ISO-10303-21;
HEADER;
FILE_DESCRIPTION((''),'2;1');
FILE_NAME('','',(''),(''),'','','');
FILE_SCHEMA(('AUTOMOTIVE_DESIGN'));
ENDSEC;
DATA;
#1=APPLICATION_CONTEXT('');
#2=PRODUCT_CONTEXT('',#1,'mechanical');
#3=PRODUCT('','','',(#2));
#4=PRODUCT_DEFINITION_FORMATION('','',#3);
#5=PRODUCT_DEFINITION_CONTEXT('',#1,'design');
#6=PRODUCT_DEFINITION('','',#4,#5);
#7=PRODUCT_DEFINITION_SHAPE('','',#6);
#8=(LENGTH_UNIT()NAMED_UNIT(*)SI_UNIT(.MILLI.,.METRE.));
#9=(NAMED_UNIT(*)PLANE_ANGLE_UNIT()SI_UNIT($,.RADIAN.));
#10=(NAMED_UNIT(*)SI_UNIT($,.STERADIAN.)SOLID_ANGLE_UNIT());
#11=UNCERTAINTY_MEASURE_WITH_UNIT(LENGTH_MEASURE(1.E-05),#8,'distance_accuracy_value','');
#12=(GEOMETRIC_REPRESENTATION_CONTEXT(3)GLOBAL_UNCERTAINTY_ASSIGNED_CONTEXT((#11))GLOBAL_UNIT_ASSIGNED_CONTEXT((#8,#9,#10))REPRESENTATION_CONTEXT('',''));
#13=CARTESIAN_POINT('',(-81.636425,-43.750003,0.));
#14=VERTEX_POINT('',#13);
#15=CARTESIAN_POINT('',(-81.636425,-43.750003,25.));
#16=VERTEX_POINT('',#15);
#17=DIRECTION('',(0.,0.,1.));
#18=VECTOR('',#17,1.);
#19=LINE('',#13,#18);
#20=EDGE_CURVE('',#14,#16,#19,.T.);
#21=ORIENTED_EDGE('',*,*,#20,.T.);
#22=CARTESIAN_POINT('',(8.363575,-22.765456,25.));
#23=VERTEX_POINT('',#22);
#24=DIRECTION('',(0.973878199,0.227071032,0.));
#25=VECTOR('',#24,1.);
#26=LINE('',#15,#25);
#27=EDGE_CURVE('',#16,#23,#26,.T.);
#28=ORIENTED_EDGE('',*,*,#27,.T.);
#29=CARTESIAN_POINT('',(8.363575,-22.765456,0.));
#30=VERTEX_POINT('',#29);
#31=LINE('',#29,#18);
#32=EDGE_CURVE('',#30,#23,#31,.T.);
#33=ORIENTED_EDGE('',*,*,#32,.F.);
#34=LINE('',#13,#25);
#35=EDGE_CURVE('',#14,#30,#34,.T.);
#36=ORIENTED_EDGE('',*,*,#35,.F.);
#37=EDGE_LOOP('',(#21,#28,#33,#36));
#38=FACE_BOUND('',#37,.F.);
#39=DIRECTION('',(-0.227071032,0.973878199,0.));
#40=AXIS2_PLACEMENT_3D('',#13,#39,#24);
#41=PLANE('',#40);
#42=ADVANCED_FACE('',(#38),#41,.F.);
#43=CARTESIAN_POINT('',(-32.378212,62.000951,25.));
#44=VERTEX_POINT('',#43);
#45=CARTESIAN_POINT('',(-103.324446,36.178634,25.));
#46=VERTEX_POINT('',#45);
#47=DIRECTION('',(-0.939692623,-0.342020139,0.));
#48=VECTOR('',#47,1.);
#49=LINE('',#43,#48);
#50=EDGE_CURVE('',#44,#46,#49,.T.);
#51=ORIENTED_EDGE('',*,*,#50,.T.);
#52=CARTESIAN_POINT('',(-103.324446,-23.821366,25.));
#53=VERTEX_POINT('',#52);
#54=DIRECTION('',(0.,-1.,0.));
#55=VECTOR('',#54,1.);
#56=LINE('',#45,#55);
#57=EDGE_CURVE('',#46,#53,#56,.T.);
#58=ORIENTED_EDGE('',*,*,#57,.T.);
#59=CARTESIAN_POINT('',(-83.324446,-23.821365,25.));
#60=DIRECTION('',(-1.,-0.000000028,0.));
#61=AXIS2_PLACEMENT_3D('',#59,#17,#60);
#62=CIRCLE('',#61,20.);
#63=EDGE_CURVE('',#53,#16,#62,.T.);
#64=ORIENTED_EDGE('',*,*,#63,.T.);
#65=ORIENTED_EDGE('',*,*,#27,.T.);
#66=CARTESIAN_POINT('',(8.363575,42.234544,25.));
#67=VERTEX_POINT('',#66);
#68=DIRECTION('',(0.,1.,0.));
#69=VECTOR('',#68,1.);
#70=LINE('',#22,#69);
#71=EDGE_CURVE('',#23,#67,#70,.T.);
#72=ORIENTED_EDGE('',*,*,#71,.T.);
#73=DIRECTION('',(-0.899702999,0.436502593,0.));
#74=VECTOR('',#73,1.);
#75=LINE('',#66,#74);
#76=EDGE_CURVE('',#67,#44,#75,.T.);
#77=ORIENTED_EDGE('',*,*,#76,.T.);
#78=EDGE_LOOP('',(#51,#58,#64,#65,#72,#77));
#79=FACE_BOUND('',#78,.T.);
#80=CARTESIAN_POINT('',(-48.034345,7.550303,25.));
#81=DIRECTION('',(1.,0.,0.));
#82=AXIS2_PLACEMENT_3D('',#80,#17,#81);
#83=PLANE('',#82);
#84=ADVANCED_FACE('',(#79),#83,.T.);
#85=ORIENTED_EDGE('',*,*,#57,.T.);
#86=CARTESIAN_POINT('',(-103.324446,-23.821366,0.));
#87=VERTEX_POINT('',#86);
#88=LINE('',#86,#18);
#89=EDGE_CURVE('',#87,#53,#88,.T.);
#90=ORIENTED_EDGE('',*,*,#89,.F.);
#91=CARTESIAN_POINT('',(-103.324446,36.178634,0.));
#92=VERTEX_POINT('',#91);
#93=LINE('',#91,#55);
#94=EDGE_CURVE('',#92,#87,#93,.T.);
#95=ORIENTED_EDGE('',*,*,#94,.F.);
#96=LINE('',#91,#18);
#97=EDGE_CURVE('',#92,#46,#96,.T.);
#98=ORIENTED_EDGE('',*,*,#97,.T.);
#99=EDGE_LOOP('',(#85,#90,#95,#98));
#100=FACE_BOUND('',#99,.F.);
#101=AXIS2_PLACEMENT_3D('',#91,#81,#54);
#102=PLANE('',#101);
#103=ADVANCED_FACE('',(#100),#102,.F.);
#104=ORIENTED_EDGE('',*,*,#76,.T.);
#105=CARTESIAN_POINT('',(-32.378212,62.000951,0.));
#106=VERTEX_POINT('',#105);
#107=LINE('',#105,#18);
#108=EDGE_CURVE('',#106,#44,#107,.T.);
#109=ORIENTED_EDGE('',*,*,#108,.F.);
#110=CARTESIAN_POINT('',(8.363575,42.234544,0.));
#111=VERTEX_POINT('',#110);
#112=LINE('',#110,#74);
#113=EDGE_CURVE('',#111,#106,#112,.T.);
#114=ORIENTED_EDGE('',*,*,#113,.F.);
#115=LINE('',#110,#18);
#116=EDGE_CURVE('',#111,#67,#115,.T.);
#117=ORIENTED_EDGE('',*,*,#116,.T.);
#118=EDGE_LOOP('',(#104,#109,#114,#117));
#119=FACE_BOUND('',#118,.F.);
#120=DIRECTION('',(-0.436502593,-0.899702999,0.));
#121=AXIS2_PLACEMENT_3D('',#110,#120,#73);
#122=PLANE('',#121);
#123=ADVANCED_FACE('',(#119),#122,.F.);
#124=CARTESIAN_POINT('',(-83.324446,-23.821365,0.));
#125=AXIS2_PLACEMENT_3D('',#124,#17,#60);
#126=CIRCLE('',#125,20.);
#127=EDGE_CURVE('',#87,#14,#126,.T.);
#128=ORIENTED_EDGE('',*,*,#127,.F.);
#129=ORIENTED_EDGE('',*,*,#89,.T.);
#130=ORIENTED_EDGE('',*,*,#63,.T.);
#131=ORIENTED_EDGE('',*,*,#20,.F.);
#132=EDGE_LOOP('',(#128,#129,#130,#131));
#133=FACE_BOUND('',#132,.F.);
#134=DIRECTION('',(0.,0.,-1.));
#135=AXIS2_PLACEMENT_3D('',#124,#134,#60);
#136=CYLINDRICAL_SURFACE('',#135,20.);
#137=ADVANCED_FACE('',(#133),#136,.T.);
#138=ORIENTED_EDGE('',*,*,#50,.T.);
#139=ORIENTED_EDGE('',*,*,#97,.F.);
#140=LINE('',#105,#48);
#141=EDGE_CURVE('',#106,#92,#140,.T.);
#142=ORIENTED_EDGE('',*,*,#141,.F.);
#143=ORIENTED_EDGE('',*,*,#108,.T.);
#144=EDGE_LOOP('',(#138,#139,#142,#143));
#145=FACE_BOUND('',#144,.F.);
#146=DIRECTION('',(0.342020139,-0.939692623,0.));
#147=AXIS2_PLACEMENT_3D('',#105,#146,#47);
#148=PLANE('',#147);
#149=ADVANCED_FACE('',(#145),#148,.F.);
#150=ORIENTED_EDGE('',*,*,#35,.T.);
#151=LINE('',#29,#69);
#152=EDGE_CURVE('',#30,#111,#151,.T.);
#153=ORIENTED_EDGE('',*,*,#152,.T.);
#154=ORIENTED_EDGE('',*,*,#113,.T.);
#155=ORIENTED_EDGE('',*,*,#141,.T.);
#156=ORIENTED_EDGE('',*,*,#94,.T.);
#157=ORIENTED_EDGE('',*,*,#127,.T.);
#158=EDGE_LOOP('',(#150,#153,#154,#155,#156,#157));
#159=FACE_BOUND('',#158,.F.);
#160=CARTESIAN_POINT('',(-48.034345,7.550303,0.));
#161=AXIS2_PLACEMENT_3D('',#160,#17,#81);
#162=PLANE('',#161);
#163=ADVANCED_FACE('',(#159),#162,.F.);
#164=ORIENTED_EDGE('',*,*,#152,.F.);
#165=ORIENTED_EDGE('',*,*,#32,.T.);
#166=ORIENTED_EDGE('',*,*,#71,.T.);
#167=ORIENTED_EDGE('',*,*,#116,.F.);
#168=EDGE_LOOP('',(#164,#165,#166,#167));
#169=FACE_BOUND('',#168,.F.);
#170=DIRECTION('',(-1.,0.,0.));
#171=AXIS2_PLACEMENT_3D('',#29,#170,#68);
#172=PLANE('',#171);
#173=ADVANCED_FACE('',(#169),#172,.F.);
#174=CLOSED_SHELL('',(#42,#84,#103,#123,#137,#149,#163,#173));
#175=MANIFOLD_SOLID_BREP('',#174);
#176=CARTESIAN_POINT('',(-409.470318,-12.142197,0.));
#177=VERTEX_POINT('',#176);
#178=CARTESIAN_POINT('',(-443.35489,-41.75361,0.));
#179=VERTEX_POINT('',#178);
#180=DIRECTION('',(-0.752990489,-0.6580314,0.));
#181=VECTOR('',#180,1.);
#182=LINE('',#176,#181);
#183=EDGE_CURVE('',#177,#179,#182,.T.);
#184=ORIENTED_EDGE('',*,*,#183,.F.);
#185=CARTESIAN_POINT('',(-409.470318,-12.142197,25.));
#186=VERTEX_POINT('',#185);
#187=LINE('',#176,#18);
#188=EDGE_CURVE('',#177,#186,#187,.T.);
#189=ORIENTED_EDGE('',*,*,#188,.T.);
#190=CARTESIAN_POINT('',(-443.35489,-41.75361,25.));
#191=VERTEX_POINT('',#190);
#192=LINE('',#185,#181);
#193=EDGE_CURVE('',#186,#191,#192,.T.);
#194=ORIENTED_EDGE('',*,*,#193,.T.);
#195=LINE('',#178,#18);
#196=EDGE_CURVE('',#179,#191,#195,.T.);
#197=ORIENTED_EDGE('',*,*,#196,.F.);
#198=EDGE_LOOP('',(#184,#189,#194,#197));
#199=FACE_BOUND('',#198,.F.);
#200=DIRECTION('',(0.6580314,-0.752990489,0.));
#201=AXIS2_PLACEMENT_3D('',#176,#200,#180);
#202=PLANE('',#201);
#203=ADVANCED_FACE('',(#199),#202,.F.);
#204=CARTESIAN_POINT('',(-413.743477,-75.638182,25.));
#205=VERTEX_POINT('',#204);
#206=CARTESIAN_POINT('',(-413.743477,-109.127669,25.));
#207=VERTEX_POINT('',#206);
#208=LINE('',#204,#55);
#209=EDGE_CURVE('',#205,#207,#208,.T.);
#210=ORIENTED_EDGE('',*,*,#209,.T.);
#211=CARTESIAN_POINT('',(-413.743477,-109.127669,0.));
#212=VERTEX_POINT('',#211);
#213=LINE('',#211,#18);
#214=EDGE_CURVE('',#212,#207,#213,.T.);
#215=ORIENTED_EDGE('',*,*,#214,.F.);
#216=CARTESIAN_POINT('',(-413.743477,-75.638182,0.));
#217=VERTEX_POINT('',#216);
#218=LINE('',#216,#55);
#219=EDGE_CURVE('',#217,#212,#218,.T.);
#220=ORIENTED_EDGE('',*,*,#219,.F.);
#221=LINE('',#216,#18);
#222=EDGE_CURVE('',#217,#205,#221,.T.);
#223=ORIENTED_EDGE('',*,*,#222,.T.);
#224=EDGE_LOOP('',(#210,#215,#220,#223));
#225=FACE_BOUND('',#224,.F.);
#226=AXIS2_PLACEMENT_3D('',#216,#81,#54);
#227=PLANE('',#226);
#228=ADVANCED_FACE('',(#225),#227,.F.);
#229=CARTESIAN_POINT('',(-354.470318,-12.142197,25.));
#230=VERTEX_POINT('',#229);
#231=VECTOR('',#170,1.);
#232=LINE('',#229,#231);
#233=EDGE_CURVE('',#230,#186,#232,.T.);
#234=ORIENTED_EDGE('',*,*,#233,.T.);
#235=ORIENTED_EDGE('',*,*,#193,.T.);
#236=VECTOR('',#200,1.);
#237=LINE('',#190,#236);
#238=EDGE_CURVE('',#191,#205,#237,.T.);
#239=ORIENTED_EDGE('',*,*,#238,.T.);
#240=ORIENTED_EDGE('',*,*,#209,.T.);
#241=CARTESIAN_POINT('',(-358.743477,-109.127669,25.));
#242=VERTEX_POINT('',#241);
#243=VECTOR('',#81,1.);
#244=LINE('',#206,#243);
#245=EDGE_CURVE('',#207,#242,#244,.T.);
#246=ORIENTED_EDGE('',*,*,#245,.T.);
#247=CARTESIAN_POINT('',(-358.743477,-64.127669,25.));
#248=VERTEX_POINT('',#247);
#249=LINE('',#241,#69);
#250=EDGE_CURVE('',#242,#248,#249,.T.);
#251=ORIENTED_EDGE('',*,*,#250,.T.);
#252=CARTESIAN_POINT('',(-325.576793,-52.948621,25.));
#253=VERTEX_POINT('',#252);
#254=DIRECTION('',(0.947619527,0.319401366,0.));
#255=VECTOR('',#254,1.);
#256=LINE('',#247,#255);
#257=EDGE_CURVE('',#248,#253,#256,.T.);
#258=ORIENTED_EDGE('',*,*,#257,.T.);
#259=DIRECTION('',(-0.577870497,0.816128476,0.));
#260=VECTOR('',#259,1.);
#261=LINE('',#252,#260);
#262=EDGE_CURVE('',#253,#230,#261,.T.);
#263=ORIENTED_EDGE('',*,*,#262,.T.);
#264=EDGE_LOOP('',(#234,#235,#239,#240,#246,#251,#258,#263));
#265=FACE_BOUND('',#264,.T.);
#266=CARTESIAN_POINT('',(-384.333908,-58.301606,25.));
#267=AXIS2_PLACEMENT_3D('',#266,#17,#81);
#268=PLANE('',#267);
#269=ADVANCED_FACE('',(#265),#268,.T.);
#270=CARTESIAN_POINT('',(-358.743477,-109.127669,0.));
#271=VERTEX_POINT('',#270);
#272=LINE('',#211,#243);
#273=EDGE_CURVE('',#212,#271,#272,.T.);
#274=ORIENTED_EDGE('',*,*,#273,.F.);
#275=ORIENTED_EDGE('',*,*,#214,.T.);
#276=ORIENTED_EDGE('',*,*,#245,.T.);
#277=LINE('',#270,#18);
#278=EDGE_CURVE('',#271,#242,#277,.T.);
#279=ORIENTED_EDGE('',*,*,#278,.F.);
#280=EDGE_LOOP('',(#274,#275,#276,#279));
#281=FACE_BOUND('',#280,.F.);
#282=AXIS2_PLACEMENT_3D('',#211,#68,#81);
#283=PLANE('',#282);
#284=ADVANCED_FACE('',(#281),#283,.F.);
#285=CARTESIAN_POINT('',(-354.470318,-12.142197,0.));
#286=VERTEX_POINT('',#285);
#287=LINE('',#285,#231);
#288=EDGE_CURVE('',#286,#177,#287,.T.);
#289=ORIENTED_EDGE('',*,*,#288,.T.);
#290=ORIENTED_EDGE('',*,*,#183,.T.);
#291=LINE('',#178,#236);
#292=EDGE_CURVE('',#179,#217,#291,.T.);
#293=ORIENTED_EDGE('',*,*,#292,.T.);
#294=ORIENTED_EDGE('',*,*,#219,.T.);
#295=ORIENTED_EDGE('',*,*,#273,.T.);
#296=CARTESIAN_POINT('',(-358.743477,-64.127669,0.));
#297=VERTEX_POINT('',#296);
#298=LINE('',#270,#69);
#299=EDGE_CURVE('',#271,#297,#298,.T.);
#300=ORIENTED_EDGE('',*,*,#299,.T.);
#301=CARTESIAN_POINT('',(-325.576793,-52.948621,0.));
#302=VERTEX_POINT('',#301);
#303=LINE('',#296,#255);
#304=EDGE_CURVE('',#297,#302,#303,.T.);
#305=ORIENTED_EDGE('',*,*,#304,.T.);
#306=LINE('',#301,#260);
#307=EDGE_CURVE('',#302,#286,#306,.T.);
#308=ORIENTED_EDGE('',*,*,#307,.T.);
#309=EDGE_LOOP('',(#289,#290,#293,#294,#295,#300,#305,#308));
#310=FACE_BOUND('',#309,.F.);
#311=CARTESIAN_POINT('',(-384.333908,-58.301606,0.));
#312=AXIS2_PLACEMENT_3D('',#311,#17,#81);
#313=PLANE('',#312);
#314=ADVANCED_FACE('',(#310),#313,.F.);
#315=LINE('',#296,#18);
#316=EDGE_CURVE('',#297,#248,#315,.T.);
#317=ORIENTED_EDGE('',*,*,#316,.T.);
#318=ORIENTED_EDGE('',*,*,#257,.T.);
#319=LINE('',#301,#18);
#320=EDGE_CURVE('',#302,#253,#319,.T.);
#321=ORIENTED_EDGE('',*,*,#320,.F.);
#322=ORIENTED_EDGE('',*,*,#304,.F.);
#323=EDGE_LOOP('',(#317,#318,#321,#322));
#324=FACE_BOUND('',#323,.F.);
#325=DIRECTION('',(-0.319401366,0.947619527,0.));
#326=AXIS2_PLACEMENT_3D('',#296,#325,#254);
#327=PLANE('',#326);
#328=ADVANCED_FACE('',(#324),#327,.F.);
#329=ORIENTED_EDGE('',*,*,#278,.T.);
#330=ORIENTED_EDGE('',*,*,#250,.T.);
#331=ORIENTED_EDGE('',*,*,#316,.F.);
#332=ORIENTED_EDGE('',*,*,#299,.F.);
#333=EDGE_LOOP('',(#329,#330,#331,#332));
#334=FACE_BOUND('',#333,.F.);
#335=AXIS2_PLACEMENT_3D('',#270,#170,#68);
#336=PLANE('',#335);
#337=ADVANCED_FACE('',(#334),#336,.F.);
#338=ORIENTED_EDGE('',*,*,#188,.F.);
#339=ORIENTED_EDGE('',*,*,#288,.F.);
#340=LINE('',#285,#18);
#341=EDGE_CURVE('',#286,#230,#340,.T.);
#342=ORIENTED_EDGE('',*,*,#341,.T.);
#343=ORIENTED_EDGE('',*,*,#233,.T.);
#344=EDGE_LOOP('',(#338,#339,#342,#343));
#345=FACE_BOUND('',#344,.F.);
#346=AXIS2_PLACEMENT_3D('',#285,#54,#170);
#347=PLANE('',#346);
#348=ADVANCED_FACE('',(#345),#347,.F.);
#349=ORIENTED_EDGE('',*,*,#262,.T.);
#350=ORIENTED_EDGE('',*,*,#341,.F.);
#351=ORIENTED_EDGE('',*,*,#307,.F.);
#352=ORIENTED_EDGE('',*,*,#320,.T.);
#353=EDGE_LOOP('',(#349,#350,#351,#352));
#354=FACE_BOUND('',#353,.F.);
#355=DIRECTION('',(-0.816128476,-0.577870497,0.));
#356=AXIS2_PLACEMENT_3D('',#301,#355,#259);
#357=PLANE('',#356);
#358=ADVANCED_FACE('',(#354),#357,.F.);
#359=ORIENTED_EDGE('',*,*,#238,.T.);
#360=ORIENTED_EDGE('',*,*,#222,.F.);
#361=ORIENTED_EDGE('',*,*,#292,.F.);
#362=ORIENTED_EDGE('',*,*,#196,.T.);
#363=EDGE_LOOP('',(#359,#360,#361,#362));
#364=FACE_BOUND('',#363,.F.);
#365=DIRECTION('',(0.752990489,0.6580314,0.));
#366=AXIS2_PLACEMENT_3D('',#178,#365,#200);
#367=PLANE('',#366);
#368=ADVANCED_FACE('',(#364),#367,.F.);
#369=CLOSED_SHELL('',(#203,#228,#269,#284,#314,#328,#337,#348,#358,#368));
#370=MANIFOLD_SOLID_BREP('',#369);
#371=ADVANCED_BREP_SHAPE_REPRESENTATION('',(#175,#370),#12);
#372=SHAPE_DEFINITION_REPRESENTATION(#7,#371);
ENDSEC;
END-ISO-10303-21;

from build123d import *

# Parameters (mm, degrees)
F1_DEPTH = 25


with BuildPart() as f1:
    # F0 (on Top) → F1 (new body)
    with BuildSketch(Plane.XY):
        Polygon((-413.743477, -75.638182), (-413.743477, -109.127669), (-358.743477, -109.127669), (-358.743477, -64.127669), (-325.576793, -52.948621), (-354.470318, -12.142197), (-409.470318, -12.142197), (-443.35489, -41.75361), align=None)
        with BuildLine():
            Line((-32.378212, 62.000951), (-103.324446, 36.178634))
            Line((-103.324446, 36.178634), (-103.324446, -23.821366))
            ThreePointArc((-103.324446, -23.821366), (-96.856622, -38.548219), (-81.636425, -43.750003))
            Line((-81.636425, -43.750003), (8.363575, -22.765456))
            Line((8.363575, -22.765456), (8.363575, 42.234544))
            Line((8.363575, 42.234544), (-32.378212, 62.000951))
        make_face()
    extrude(amount=F1_DEPTH)


solid = f1.part
